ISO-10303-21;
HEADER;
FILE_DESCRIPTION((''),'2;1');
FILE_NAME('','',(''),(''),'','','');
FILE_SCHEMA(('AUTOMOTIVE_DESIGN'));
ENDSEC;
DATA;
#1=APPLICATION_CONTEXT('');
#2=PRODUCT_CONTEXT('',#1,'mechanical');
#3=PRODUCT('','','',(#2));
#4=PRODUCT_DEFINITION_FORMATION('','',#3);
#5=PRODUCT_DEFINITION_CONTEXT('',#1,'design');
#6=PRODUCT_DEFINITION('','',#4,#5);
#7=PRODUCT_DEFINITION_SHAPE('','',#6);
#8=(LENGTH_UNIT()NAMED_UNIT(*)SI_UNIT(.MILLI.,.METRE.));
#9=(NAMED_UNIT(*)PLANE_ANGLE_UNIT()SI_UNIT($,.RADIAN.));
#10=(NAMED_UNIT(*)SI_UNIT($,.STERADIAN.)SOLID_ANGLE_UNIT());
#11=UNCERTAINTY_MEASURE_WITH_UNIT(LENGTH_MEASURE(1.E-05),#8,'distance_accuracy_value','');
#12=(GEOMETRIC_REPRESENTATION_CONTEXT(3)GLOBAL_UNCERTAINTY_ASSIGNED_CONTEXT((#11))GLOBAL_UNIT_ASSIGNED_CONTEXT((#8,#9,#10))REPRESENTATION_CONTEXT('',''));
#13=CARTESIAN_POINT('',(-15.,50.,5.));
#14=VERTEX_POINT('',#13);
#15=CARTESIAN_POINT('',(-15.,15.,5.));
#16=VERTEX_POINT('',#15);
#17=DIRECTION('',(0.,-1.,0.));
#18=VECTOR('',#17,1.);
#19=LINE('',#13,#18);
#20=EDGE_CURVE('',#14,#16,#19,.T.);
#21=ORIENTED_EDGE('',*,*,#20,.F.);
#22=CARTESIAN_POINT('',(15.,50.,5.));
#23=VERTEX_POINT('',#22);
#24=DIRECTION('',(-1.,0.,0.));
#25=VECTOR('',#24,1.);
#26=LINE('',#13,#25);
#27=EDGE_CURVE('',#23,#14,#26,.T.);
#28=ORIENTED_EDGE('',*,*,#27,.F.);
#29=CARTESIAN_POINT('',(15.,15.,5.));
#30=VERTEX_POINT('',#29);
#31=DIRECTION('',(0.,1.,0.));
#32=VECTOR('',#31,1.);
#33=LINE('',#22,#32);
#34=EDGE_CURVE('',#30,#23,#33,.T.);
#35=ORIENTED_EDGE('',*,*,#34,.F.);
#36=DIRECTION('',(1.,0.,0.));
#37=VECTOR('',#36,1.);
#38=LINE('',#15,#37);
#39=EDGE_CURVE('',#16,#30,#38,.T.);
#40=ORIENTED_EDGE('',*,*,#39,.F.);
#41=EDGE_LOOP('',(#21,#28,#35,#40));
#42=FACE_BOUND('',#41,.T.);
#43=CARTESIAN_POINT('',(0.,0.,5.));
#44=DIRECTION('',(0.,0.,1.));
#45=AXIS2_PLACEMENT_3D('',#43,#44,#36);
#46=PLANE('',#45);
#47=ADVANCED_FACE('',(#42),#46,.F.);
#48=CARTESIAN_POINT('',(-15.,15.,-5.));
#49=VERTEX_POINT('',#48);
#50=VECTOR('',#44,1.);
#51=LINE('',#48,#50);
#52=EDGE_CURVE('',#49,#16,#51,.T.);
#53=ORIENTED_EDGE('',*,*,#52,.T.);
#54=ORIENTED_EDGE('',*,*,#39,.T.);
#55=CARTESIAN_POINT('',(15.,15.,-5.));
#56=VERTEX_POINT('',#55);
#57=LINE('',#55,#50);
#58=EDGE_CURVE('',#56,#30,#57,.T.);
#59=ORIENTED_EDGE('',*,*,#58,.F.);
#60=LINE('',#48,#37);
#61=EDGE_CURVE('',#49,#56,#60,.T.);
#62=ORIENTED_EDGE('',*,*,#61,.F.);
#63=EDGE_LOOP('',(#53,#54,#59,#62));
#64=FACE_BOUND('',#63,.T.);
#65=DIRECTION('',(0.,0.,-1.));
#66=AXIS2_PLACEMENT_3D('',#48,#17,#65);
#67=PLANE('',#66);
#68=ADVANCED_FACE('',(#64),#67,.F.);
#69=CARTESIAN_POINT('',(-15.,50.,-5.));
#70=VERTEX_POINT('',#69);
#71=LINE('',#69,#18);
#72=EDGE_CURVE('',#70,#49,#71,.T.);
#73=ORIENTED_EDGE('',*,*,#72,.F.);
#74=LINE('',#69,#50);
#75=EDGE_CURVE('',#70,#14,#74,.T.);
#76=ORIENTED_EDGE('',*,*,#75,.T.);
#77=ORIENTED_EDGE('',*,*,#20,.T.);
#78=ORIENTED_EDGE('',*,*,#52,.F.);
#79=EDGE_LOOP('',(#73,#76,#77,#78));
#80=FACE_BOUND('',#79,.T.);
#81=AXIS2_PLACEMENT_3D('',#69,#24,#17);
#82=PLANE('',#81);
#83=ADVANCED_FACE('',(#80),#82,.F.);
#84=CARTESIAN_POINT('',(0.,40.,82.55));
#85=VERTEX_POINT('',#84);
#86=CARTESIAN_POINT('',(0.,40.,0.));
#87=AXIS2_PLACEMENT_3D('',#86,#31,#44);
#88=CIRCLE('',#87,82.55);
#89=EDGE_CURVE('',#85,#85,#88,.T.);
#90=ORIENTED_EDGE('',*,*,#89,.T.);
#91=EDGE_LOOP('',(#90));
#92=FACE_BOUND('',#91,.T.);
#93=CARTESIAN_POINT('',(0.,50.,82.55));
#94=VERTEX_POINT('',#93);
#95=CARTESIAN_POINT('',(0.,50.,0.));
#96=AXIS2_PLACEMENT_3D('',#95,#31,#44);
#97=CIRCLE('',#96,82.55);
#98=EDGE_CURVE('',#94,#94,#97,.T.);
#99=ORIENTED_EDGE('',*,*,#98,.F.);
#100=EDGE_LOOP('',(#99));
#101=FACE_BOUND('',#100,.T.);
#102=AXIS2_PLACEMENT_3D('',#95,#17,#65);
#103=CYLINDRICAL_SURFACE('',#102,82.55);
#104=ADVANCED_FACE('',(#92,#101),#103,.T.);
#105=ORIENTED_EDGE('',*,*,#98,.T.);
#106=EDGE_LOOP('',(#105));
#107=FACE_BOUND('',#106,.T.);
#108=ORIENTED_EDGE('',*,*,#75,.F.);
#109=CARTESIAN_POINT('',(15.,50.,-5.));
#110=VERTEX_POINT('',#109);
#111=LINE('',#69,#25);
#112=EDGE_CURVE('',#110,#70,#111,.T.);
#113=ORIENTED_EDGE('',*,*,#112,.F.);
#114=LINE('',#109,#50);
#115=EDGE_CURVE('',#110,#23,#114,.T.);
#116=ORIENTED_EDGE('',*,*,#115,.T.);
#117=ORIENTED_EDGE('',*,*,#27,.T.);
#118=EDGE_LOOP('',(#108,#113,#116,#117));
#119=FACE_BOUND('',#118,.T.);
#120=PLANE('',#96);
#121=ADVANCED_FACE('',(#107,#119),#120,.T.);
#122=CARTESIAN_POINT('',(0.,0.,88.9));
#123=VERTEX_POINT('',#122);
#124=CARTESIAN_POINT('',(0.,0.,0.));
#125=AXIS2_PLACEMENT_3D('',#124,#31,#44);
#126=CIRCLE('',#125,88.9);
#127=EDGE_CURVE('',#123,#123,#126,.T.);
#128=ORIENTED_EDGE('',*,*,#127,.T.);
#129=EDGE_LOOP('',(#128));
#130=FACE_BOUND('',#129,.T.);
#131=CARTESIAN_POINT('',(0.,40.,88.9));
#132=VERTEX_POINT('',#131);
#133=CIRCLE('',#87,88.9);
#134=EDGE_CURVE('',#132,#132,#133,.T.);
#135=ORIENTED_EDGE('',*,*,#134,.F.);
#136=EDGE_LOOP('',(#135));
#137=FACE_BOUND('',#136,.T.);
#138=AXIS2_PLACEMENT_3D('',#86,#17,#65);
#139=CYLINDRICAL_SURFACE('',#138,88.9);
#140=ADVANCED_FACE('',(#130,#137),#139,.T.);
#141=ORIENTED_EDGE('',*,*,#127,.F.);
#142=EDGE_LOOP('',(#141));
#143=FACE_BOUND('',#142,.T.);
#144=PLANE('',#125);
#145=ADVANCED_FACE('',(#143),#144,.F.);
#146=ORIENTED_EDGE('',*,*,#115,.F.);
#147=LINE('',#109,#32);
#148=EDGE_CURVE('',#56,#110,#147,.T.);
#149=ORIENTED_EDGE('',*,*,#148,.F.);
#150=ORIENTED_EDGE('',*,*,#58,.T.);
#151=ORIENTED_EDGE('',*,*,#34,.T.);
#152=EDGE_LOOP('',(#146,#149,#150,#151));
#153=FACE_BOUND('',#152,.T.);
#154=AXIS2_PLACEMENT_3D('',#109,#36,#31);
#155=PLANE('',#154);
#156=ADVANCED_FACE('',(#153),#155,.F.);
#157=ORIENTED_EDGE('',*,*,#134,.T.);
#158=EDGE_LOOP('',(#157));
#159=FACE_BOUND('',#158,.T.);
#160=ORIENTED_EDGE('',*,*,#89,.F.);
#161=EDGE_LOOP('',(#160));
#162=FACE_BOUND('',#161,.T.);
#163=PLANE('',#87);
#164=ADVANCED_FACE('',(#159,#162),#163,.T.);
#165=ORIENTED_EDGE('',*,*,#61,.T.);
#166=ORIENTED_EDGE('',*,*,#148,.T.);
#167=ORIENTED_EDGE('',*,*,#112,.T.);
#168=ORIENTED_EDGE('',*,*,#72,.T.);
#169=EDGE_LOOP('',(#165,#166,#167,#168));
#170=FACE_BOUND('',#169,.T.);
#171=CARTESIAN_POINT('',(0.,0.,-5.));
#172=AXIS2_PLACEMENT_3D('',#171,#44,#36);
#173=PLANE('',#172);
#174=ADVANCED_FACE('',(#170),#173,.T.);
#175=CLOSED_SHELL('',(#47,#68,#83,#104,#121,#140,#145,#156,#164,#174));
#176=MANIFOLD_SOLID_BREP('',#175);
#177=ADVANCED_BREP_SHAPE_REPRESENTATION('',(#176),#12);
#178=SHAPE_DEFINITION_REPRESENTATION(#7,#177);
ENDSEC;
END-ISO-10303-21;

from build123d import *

# Parameters (mm, degrees)
SKETCH1_R           = 88.9
BOSS_EXTRUDE1_DEPTH = 40
SKETCH2_R           = 82.55
BOSS_EXTRUDE2_DEPTH = 10
SKETCH3_W           = 30
SKETCH3_H           = 35
CUT_EXTRUDE1_DEPTH  = 5


with BuildPart() as part:
    # Sketch1 → Boss-Extrude1 (new body)
    with BuildSketch(Plane(origin=(0, 0, 0), x_dir=(1, 0, 0), z_dir=(0, 1, 0))):
        with Locations(Location((0, 0, 0), (0, 0, 270))):
            Circle(SKETCH1_R)
    extrude(amount=BOSS_EXTRUDE1_DEPTH)

    # Sketch2 → Boss-Extrude2 (add)
    with BuildSketch(Plane(origin=(0, 40, 0), x_dir=(1, 0, 0), z_dir=(0, 1, 0))):
        with Locations(Location((0, 0, 0), (0, 0, 270))):
            Circle(SKETCH2_R)
    extrude(amount=BOSS_EXTRUDE2_DEPTH)

    # Sketch3 → Cut-Extrude1 (cut, symmetric)
    with BuildSketch(Plane.XY):
        with Locations((0, 32.5)):
            Rectangle(SKETCH3_W, SKETCH3_H)
    extrude(amount=CUT_EXTRUDE1_DEPTH, both=True, mode=Mode.SUBTRACT)


solid = part.part
